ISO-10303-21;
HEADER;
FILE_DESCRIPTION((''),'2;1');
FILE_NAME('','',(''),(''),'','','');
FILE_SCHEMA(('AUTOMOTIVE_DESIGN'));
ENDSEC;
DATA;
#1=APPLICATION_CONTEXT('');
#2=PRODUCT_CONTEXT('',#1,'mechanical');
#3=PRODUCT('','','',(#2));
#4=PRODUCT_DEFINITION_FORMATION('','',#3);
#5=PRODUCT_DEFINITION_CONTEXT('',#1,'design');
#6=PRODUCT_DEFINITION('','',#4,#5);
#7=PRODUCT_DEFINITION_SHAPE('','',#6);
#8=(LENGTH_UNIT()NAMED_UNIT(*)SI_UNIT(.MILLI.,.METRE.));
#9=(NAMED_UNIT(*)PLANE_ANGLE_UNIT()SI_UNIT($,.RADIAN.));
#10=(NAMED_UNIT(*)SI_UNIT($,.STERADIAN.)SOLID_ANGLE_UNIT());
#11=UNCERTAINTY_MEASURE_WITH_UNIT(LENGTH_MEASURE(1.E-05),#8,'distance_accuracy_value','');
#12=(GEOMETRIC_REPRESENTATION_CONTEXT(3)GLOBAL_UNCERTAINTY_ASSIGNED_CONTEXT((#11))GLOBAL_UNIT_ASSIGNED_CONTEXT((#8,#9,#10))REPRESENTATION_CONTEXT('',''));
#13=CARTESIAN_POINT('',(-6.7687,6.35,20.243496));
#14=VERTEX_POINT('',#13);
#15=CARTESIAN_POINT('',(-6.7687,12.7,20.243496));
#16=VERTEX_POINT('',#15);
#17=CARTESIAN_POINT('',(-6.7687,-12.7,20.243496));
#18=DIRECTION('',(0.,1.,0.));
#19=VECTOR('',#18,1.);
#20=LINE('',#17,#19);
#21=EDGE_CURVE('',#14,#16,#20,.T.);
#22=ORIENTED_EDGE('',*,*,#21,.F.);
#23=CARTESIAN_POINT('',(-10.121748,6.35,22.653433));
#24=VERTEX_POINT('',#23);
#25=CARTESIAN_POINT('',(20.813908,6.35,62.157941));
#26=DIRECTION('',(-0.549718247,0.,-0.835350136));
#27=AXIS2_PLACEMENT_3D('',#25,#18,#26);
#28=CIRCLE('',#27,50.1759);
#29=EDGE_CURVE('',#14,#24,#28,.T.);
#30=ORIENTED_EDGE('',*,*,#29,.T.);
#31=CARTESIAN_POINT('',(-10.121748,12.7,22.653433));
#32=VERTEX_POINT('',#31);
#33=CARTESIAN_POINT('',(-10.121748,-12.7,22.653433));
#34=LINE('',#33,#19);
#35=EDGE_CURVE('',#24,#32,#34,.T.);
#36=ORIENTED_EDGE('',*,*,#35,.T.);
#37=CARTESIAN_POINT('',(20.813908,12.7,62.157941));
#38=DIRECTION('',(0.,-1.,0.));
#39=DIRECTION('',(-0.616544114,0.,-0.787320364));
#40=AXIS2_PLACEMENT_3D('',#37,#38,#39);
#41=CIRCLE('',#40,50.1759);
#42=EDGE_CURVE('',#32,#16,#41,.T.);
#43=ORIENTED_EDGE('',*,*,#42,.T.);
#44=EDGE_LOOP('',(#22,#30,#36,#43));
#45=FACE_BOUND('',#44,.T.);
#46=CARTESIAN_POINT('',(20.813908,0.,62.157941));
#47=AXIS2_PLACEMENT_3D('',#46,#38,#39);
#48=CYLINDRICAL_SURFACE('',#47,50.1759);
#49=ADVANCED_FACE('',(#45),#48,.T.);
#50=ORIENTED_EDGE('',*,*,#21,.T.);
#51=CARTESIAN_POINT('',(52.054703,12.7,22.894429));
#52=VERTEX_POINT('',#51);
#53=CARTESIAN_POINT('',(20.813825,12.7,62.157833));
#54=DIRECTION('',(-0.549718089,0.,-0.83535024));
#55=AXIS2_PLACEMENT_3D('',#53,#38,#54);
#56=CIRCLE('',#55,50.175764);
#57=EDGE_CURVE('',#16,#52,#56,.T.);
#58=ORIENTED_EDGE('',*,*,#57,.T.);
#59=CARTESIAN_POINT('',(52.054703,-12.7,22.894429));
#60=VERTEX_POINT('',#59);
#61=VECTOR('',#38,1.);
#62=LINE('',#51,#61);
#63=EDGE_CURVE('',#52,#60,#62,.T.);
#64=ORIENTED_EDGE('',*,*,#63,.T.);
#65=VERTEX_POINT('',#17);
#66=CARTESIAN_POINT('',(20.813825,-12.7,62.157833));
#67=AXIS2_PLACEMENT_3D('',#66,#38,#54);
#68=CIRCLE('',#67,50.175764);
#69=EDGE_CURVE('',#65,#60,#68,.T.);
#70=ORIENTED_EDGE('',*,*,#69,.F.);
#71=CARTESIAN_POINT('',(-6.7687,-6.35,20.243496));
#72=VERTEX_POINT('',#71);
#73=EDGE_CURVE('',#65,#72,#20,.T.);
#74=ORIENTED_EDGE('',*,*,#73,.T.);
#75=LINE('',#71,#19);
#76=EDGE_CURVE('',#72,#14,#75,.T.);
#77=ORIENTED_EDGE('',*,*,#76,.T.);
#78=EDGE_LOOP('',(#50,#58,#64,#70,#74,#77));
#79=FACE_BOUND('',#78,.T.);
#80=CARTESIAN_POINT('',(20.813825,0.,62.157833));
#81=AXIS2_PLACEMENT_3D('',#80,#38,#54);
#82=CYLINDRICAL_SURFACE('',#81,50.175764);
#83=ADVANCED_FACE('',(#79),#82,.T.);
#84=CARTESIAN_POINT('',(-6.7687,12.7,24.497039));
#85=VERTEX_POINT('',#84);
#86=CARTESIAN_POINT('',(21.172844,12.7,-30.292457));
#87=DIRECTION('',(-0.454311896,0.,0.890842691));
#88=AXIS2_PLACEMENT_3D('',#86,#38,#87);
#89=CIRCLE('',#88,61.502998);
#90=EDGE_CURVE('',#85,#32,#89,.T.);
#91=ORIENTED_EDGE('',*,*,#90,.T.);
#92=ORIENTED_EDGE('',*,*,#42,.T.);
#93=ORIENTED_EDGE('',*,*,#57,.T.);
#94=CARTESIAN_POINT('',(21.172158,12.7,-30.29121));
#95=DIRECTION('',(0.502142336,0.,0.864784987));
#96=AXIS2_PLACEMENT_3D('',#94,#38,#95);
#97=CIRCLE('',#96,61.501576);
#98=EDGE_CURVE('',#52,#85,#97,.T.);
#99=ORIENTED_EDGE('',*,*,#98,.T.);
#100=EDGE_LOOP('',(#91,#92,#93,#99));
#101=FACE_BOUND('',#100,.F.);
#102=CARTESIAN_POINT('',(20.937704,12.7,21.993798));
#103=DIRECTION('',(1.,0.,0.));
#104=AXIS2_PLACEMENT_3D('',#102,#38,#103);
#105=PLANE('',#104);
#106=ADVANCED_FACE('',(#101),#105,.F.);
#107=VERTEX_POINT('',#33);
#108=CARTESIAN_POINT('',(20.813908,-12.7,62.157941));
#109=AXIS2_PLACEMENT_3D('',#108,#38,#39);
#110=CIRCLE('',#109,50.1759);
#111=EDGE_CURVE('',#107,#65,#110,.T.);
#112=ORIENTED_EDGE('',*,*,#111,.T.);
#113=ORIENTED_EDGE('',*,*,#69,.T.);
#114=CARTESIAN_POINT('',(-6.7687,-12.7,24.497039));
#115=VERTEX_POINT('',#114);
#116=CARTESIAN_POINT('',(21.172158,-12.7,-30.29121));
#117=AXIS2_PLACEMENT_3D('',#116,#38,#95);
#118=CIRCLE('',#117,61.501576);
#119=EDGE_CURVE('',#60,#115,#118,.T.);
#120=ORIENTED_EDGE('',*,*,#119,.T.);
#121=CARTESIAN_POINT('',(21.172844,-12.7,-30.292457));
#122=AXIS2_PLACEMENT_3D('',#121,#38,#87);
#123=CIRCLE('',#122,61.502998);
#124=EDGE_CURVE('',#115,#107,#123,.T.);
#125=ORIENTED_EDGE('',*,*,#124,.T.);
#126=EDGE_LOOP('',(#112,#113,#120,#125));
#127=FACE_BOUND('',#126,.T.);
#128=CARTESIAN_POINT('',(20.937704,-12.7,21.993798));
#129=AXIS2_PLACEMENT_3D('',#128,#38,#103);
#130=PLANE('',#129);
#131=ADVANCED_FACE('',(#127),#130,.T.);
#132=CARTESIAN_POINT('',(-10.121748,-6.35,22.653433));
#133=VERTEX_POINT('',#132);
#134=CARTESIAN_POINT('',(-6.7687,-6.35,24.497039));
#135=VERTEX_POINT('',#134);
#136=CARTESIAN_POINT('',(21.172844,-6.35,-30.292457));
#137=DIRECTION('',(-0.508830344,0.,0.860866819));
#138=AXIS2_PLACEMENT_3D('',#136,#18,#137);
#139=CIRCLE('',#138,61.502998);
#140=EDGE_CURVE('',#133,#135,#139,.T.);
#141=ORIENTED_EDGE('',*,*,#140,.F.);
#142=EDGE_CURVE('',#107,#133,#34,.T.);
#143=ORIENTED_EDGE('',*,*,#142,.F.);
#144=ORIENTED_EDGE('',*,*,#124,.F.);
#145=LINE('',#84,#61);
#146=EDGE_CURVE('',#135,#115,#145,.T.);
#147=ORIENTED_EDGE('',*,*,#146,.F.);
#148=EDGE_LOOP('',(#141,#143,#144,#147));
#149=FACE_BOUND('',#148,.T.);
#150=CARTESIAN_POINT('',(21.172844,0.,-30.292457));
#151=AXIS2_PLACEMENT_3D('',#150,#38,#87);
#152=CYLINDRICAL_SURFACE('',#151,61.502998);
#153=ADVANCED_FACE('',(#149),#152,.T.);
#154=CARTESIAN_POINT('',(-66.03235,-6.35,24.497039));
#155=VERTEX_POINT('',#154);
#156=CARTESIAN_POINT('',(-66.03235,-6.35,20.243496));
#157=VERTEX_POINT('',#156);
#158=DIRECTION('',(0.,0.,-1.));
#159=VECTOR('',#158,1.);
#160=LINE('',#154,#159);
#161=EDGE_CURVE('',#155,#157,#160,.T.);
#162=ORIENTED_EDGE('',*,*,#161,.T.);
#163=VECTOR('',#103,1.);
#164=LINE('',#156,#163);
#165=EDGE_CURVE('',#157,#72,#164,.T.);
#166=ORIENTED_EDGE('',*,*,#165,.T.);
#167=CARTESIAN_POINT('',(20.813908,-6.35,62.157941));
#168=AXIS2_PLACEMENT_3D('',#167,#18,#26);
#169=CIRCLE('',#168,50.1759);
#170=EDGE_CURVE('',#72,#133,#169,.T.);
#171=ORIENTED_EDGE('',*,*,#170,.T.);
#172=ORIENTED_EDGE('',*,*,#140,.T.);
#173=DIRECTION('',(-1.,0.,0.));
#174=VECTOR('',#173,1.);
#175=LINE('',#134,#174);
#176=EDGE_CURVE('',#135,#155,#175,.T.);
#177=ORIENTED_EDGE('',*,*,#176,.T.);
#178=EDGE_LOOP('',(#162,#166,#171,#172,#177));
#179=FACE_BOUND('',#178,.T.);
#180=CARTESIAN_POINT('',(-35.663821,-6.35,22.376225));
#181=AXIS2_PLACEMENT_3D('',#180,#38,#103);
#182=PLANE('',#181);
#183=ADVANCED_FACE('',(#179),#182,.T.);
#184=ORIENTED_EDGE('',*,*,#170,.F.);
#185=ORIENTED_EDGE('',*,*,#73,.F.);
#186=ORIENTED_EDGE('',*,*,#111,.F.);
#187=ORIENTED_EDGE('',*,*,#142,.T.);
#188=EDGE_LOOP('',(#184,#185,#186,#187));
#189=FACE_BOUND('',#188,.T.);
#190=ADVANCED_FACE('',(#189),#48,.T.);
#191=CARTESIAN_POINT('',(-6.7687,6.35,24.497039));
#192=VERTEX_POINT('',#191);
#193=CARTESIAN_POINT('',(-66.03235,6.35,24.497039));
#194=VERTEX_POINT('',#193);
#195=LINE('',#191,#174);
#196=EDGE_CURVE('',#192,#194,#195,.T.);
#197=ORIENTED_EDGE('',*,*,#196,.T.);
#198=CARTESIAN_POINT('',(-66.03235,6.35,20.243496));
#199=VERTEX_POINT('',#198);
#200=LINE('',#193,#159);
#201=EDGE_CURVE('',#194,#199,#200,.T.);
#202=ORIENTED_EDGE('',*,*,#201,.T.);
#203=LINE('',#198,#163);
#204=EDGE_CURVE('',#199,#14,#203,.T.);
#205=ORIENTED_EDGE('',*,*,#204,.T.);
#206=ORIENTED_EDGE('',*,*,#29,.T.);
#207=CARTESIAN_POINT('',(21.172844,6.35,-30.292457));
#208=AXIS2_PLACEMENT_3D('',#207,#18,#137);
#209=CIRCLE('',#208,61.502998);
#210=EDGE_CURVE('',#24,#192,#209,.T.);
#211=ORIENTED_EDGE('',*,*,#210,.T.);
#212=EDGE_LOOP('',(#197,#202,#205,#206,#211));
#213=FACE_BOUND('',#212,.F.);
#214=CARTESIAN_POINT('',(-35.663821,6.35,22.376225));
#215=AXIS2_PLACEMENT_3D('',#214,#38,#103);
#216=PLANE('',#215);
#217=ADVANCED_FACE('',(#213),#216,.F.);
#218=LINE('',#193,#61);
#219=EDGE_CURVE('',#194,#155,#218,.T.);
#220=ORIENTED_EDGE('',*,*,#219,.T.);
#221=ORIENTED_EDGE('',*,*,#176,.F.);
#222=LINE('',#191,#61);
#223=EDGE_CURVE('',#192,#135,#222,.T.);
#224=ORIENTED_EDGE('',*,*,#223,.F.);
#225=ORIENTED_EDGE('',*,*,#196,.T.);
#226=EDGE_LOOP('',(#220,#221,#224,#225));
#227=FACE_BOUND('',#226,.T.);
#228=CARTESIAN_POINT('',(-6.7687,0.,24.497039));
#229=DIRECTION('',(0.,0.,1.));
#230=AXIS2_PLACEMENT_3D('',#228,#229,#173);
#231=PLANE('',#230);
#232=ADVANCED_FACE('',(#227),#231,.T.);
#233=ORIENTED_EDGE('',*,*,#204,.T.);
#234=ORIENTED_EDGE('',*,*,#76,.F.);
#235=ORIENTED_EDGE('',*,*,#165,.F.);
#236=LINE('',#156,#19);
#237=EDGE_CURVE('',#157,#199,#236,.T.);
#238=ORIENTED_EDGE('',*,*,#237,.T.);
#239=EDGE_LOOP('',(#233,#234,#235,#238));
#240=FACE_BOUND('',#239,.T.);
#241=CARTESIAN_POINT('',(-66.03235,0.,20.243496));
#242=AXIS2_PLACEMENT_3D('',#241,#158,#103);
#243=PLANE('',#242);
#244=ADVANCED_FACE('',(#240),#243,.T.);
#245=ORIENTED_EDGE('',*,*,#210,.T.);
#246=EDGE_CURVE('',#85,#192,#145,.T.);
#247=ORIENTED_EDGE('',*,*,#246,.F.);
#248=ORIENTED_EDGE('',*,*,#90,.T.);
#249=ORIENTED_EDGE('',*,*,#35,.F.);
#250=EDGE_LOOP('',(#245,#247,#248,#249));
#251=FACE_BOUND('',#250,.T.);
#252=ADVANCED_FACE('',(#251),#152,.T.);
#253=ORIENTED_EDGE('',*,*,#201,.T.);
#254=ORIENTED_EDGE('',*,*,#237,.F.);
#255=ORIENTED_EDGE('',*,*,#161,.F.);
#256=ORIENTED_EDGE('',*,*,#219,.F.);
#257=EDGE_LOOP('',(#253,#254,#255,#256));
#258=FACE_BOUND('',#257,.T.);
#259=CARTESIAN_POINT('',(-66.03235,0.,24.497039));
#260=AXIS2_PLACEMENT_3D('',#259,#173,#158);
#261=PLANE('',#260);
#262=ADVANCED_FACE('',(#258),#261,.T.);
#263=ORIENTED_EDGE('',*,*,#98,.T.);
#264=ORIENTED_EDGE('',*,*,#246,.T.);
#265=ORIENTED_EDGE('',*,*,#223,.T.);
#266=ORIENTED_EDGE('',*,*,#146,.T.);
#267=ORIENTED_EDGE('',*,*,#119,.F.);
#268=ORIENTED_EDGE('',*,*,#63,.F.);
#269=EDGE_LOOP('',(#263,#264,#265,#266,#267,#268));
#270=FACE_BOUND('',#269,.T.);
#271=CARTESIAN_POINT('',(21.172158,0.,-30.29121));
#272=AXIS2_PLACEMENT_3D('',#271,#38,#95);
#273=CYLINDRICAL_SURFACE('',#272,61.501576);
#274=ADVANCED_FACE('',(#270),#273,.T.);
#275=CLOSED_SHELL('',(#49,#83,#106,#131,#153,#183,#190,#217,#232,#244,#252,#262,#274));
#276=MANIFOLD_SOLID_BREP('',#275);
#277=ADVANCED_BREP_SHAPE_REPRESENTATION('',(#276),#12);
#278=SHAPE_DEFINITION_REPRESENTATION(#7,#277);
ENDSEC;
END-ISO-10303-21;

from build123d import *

# Parameters (mm, degrees)
F1_DEPTH = 12.7
F2_DEPTH = 6.35


with BuildPart() as f1:
    # F0 (on Front) → F1 (new body, symmetric)
    with BuildSketch(Plane.XZ):
        with BuildLine():
            ThreePointArc((-6.7687, 20.243496), (23.072752, 12.032943), (52.054703, 22.894429))
            ThreePointArc((52.054703, 22.894429), (22.847112, 31.187553), (-6.7687, 24.497039))
            ThreePointArc((-6.7687, 24.497039), (-8.459565, 23.601319), (-10.121748, 22.653433))
            ThreePointArc((-10.121748, 22.653433), (-8.470025, 21.413957), (-6.7687, 20.243496))
        make_face()
    extrude(amount=F1_DEPTH, both=True)

    # F0 (on Front) → F2 (join, symmetric)
    with BuildSketch(Plane.XZ):
        with BuildLine():
            ThreePointArc((-10.121748, 22.653433), (-8.459565, 23.601319), (-6.7687, 24.497039))
            Line((-6.7687, 24.497039), (-66.03235, 24.497039))
            Line((-66.03235, 24.497039), (-66.03235, 20.243496))
            Line((-66.03235, 20.243496), (-6.7687, 20.243496))
            ThreePointArc((-6.7687, 20.243496), (-8.470025, 21.413957), (-10.121748, 22.653433))
        make_face()
    extrude(amount=F2_DEPTH, both=True)


solid = f1.part
